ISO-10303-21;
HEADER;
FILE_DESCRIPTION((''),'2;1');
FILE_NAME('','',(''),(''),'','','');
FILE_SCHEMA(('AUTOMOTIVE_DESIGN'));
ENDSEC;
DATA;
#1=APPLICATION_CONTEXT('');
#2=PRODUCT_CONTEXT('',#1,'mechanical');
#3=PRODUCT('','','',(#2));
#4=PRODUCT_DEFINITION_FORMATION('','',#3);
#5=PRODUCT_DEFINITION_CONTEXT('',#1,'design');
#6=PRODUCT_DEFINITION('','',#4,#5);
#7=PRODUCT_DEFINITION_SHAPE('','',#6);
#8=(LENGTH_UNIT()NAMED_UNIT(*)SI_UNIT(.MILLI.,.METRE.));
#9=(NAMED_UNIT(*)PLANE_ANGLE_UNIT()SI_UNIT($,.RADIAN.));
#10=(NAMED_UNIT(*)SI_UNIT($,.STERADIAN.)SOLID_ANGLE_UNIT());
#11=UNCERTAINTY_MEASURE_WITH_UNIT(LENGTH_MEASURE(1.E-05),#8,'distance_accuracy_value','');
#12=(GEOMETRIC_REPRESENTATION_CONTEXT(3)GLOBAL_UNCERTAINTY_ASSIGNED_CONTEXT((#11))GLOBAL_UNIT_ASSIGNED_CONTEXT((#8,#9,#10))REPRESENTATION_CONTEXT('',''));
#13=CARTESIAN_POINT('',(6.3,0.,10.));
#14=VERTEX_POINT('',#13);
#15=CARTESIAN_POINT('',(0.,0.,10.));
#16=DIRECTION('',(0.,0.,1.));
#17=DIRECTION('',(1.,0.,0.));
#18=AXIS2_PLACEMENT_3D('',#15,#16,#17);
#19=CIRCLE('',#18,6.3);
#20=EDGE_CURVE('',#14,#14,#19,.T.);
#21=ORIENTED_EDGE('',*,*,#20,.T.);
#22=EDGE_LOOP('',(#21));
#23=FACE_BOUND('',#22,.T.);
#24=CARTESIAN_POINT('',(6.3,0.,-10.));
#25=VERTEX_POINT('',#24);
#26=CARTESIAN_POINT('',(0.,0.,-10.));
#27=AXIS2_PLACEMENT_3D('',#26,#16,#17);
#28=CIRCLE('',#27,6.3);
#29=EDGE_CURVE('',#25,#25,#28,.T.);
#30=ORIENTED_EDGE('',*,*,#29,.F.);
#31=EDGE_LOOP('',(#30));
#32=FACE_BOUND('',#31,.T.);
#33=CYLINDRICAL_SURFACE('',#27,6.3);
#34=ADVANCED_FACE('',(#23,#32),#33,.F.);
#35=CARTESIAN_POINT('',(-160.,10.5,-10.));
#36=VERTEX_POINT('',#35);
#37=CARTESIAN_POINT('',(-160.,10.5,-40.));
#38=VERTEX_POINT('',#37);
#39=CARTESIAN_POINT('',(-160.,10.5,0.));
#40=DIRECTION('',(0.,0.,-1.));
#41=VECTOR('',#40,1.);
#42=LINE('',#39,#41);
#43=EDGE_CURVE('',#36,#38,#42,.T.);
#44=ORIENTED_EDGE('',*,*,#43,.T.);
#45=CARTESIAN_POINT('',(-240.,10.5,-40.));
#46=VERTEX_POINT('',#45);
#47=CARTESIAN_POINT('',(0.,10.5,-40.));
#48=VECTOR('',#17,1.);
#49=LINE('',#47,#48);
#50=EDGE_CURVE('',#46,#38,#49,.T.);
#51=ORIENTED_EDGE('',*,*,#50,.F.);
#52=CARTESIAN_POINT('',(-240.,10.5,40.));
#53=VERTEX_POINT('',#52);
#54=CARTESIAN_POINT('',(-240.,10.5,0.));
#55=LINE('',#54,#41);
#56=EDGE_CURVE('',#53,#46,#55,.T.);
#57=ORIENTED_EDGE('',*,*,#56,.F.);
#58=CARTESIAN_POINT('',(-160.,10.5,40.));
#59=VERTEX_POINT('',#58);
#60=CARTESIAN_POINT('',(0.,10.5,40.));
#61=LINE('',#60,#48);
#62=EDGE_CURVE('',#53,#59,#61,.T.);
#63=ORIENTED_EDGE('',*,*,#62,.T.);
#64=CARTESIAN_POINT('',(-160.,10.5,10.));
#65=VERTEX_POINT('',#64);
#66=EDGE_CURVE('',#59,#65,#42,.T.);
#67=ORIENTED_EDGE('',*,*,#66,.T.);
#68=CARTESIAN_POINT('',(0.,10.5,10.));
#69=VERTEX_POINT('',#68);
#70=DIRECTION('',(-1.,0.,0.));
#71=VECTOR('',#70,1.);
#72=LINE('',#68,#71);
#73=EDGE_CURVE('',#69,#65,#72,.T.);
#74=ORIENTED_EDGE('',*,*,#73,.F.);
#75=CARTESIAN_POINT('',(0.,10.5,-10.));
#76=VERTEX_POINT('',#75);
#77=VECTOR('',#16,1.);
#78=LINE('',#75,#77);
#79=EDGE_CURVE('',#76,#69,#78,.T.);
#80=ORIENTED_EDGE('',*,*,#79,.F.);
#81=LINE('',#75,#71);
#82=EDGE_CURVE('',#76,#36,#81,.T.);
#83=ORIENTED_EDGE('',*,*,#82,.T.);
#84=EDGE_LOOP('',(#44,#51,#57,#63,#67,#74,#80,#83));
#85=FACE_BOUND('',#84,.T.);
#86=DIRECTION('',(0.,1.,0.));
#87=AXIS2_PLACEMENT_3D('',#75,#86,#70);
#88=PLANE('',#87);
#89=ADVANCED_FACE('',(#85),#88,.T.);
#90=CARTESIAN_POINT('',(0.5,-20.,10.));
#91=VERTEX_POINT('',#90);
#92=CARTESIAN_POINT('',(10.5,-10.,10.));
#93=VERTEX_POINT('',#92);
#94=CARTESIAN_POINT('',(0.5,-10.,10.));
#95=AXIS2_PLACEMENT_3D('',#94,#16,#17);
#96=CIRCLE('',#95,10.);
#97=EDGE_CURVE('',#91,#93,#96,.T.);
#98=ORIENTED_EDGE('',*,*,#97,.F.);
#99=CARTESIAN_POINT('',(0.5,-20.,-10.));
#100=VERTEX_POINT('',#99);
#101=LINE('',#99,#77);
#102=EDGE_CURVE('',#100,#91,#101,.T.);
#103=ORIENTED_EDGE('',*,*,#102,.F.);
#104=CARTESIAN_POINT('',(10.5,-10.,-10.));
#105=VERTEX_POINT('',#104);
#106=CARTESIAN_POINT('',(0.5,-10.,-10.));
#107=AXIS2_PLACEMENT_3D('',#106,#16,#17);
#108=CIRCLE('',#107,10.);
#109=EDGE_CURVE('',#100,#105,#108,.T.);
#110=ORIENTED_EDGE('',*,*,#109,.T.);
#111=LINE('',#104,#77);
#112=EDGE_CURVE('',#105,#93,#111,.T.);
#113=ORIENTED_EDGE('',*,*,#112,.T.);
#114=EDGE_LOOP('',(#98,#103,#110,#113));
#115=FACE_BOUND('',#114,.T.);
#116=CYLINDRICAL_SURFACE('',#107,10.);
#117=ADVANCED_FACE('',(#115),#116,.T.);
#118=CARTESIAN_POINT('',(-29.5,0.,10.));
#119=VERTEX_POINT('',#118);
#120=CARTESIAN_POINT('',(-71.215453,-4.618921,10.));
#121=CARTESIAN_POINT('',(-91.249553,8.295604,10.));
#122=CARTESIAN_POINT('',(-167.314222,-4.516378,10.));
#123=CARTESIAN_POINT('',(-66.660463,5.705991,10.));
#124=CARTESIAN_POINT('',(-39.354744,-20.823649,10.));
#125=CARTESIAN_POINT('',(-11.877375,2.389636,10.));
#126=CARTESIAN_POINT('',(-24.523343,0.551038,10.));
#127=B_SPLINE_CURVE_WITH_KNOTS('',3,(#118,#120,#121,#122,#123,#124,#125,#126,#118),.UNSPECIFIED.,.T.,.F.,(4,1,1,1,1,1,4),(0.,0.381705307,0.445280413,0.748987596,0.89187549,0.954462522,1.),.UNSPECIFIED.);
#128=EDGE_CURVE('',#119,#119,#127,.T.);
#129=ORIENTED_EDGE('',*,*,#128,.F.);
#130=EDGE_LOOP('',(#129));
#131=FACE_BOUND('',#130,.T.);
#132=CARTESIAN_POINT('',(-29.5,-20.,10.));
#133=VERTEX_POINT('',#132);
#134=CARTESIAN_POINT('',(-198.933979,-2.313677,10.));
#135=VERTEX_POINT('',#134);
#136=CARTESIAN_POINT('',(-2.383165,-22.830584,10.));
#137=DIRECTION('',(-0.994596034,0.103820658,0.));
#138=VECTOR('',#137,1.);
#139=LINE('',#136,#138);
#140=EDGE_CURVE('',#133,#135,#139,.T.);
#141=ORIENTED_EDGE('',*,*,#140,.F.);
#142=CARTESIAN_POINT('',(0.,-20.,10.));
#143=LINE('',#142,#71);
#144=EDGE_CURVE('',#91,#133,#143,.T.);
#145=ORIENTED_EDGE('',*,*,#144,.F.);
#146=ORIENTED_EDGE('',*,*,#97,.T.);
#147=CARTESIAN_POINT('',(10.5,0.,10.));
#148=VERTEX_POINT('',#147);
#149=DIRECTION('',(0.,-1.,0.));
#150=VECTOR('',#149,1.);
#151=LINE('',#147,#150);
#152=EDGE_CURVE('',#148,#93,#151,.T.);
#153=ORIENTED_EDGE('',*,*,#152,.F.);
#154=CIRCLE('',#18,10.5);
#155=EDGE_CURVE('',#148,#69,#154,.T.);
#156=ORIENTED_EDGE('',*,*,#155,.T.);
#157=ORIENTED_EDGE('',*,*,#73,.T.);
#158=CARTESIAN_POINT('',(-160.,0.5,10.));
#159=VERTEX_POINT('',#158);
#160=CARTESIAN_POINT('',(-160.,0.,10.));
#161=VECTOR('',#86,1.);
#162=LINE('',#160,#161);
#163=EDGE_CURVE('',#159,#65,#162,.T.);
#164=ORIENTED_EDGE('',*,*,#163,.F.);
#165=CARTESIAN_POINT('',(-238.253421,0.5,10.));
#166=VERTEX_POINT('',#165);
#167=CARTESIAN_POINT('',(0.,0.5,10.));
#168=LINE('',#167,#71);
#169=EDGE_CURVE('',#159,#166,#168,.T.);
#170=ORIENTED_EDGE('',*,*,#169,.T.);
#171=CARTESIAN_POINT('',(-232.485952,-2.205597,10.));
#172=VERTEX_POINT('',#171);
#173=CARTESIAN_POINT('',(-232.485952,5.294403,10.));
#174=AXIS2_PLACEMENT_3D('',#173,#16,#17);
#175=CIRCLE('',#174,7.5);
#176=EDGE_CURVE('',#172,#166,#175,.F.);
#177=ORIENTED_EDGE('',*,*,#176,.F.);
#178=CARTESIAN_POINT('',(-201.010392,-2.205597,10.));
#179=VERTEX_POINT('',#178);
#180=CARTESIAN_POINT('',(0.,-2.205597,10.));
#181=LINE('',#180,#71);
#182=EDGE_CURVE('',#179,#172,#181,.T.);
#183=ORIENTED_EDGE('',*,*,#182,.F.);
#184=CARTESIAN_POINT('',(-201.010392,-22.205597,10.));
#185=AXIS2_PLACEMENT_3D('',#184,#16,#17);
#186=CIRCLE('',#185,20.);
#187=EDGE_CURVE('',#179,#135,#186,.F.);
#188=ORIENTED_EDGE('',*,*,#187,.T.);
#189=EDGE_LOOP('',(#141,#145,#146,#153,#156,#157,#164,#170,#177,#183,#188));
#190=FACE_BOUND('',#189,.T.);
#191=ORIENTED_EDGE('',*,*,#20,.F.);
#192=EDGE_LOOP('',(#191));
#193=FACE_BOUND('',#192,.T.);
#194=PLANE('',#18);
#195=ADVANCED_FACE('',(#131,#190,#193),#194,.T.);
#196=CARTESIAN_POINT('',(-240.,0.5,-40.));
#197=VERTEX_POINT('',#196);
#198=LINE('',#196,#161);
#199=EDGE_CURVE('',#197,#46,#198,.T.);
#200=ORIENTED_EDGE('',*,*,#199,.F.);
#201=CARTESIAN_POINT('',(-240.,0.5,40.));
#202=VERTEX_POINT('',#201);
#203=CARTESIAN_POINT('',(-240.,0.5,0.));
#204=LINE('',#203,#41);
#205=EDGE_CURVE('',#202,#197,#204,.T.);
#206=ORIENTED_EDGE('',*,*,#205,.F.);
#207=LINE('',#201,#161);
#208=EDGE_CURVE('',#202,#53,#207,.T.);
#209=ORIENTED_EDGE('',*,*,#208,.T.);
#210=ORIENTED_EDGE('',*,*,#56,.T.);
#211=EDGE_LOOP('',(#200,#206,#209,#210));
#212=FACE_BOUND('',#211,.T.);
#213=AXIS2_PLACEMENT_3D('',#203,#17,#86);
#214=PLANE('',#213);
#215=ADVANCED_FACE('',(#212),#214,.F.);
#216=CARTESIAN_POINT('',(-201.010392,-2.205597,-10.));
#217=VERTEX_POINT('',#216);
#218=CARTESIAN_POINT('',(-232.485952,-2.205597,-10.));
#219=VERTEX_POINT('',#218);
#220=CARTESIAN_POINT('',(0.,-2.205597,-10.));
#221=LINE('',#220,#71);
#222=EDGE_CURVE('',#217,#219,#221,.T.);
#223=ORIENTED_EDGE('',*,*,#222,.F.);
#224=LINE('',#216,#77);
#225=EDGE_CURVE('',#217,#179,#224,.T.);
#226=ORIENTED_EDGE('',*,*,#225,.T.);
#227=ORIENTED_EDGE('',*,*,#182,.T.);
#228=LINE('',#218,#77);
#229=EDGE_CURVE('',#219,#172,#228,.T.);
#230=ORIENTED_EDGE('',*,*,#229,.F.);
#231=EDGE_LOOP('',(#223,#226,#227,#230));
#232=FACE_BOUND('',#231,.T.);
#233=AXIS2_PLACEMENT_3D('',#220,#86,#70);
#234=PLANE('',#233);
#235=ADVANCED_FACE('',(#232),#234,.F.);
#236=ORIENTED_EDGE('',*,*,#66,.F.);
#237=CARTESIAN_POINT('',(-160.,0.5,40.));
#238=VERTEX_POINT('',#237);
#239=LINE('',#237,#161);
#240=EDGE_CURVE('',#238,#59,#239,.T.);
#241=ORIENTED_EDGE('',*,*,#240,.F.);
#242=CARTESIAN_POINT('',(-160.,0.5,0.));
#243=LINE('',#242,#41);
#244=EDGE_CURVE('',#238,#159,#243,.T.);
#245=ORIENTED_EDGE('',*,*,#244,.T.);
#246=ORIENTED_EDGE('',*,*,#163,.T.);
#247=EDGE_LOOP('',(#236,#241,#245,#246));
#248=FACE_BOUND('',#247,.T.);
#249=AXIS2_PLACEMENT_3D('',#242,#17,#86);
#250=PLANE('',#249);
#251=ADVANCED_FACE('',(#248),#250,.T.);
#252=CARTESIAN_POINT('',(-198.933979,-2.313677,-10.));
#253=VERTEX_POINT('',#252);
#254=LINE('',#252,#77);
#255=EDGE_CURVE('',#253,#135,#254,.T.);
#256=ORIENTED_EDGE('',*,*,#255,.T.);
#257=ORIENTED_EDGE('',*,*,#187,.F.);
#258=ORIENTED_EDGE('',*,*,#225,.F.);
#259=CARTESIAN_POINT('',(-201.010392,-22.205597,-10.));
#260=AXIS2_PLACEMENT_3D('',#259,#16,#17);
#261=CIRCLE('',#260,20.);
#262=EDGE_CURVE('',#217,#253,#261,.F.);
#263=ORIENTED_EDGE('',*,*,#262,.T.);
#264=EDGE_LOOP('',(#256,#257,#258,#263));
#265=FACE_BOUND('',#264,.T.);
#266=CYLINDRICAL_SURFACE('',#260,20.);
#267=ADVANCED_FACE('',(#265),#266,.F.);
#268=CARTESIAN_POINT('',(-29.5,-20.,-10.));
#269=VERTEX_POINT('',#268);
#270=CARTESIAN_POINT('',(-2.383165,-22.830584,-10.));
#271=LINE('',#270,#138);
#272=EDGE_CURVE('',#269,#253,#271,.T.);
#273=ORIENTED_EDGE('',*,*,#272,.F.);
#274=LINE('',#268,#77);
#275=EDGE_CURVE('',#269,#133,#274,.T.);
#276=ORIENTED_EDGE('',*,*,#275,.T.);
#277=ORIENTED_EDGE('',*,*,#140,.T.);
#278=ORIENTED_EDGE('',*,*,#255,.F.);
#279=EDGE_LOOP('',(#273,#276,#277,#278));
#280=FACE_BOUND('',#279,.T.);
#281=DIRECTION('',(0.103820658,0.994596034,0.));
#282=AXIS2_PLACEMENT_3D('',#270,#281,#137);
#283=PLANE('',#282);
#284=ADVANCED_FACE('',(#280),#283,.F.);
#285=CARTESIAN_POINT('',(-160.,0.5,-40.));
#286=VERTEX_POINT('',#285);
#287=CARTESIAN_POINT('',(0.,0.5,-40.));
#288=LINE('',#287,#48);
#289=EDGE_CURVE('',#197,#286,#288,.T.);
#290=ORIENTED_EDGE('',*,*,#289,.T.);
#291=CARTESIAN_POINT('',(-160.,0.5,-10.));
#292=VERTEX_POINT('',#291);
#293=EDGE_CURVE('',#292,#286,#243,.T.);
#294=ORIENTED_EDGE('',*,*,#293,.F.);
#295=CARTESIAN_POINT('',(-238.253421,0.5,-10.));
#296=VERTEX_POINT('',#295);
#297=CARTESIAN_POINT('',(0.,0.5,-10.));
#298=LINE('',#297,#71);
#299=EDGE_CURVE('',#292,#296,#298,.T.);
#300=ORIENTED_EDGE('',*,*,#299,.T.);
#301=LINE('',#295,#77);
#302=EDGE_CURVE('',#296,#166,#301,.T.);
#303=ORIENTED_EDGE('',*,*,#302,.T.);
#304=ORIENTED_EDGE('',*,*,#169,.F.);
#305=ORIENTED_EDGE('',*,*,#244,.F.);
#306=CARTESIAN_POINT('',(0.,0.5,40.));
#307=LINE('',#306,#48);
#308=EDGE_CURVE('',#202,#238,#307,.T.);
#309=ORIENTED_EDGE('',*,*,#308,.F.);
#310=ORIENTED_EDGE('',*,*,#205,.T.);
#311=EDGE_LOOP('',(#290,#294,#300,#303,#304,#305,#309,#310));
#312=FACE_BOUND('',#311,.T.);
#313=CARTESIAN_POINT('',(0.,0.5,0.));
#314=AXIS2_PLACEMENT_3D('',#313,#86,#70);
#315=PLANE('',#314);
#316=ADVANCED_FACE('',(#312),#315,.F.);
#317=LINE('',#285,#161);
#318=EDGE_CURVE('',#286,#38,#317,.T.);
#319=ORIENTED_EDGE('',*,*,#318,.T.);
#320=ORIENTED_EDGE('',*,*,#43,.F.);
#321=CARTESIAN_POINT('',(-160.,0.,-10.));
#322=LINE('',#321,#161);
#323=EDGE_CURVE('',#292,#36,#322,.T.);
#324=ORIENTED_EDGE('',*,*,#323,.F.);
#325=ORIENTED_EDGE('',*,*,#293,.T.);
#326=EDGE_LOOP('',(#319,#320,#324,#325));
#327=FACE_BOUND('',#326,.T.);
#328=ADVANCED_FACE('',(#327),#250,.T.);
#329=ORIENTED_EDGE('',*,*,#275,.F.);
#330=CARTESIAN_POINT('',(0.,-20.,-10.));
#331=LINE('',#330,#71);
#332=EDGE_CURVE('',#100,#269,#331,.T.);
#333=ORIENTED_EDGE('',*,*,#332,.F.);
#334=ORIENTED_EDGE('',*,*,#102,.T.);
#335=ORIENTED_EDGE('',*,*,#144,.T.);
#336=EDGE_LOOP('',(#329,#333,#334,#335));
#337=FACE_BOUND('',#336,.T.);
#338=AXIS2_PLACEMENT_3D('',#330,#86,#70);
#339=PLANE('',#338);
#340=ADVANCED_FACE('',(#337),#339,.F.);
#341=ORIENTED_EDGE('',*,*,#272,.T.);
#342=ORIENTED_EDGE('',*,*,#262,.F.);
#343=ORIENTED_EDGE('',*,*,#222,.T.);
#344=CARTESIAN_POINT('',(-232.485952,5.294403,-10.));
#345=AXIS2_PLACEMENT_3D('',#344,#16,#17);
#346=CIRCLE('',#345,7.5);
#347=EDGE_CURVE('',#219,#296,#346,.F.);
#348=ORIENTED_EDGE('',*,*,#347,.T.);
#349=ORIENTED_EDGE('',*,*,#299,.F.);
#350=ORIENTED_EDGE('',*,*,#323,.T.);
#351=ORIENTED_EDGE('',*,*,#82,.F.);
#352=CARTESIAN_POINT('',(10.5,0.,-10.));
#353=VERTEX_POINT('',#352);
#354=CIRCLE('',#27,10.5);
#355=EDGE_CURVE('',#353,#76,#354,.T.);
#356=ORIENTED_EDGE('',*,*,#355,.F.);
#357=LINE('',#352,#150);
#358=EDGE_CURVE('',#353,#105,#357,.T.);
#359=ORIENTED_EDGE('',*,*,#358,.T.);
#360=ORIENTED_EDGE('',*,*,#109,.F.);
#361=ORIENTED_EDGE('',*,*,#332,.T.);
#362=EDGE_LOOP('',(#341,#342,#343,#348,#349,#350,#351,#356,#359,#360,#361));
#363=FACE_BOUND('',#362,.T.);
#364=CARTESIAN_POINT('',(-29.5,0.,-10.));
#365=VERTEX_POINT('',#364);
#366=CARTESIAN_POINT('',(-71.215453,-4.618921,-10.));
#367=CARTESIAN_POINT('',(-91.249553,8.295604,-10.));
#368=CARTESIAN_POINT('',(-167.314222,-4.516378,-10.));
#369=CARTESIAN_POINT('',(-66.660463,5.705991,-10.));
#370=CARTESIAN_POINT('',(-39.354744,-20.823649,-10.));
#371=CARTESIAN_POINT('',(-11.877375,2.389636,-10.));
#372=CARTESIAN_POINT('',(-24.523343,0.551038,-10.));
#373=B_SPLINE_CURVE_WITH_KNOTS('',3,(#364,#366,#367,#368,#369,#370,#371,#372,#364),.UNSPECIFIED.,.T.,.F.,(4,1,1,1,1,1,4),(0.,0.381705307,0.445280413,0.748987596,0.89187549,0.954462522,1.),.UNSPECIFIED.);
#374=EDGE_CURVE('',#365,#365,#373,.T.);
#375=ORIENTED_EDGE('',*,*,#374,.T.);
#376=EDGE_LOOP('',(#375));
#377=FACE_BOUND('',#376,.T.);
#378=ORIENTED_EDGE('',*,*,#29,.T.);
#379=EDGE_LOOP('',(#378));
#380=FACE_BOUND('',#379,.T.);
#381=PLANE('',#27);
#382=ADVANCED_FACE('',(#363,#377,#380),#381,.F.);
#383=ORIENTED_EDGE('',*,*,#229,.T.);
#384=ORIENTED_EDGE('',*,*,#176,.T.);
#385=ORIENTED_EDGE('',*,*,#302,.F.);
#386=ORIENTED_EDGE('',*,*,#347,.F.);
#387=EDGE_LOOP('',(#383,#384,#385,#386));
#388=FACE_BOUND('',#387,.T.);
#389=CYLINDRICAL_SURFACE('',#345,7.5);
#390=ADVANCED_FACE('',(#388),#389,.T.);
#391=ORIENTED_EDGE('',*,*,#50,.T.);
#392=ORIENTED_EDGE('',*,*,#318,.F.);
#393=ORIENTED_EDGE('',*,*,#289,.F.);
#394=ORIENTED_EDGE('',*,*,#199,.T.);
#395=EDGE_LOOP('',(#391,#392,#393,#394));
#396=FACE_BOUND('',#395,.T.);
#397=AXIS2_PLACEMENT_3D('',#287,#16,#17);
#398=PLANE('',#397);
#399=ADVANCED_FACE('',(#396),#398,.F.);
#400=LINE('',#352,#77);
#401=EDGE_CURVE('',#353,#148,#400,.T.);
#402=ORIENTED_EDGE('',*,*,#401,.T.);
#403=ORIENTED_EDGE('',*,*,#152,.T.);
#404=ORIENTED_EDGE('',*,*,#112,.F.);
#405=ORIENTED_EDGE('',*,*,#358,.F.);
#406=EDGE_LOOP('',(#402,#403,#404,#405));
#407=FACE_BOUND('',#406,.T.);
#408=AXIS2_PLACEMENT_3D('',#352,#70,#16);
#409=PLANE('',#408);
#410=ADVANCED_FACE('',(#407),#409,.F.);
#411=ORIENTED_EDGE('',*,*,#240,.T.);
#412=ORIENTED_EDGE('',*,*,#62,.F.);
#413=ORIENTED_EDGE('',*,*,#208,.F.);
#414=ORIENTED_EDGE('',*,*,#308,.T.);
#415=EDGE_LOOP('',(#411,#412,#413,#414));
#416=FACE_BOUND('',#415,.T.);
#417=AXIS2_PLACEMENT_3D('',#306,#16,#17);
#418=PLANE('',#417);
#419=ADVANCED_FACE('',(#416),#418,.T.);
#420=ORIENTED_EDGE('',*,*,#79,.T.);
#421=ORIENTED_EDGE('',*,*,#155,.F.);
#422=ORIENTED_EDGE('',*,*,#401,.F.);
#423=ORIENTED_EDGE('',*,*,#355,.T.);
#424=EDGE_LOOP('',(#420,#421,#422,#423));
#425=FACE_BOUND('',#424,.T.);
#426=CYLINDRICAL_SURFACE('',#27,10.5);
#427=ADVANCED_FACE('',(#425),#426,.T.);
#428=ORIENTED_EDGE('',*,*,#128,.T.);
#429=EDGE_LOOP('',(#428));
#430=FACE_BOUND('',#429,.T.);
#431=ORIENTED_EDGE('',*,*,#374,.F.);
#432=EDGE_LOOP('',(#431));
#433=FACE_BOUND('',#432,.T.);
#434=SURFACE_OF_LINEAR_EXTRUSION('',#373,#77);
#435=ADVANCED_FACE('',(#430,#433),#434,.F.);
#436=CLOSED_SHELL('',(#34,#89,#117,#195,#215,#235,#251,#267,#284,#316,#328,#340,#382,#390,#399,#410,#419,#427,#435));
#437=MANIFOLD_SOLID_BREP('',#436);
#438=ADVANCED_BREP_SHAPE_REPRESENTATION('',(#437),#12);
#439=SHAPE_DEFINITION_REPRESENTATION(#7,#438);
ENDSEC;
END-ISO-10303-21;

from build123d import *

# Parameters (mm, degrees)
BOSS_EXTRUDE2_DEPTH      = 10
BOSS_EXTRUDE2_DEPTH_BACK = 10
SKETCH1_R                = 6.3
BOSS_EXTRUDE5_DEPTH      = 10


with BuildPart() as part:
    # Sketch1 → Boss-Extrude2 (new, two sides: drawn at the far end of the back side and taken through both)
    with BuildSketch(Plane.XY.offset(-BOSS_EXTRUDE2_DEPTH_BACK)):
        with BuildLine():
            Line((-232.485951852, -2.205597272), (-201.010392048, -2.205597272))
            ThreePointArc((-201.010392048, -2.205597272), (-199.970780015, -2.232635378), (-198.933978895, -2.31367659))
            Line((-198.933978895, -2.31367659), (-29.5, -20))
            Line((-29.5, -20), (0.5, -20))
            ThreePointArc((0.5, -20), (7.571067812, -17.071067812), (10.5, -10))
            Line((10.5, -10), (10.5, 0))
            ThreePointArc((10.5, 0), (7.424621202, 7.424621202), (0, 10.5))
            Line((0, 10.5), (-199.969372655, 10.5))
            Line((-199.969372655, 10.5), (-239.985951852, 10.5))
            Line((-239.985951852, 10.5), (-239.985951852, 5.294402728))
            ThreePointArc((-239.985951852, 5.294402728), (-237.789252711, -0.008898131), (-232.485951852, -2.205597272))
        make_face()
        with BuildLine():
            add(Edge.make_bspline(
                [(-29.5, 0), (-71.215452784, -4.618921443), (-91.249553359, 8.295604419), (-167.314221678, -4.516378239), (-66.660462753, 5.705990527), (-39.354743787, -20.82364873), (-11.877374637, 2.389635503), (-24.523342717, 0.551037745), (-29.5, 0)],
                knots=[0, 0, 0, 0, 0.381705307, 0.445280413, 0.748987596, 0.89187549, 0.954462522, 1, 1, 1, 1], degree=3))
        make_face(mode=Mode.SUBTRACT)
        Circle(SKETCH1_R, mode=Mode.SUBTRACT)
    extrude(amount=BOSS_EXTRUDE2_DEPTH + BOSS_EXTRUDE2_DEPTH_BACK)

    # Sketch2 → Boss-Extrude5 (add)
    with BuildSketch(Plane(origin=(0, 10.5, 0), x_dir=(1, 0, 0), z_dir=(0, 1, 0))):
        Polygon((-240, 40), (-240, -40), (-160, -40), (-160, 0), (-160, 40), align=None)
    extrude(amount=-BOSS_EXTRUDE5_DEPTH)


solid = part.part
